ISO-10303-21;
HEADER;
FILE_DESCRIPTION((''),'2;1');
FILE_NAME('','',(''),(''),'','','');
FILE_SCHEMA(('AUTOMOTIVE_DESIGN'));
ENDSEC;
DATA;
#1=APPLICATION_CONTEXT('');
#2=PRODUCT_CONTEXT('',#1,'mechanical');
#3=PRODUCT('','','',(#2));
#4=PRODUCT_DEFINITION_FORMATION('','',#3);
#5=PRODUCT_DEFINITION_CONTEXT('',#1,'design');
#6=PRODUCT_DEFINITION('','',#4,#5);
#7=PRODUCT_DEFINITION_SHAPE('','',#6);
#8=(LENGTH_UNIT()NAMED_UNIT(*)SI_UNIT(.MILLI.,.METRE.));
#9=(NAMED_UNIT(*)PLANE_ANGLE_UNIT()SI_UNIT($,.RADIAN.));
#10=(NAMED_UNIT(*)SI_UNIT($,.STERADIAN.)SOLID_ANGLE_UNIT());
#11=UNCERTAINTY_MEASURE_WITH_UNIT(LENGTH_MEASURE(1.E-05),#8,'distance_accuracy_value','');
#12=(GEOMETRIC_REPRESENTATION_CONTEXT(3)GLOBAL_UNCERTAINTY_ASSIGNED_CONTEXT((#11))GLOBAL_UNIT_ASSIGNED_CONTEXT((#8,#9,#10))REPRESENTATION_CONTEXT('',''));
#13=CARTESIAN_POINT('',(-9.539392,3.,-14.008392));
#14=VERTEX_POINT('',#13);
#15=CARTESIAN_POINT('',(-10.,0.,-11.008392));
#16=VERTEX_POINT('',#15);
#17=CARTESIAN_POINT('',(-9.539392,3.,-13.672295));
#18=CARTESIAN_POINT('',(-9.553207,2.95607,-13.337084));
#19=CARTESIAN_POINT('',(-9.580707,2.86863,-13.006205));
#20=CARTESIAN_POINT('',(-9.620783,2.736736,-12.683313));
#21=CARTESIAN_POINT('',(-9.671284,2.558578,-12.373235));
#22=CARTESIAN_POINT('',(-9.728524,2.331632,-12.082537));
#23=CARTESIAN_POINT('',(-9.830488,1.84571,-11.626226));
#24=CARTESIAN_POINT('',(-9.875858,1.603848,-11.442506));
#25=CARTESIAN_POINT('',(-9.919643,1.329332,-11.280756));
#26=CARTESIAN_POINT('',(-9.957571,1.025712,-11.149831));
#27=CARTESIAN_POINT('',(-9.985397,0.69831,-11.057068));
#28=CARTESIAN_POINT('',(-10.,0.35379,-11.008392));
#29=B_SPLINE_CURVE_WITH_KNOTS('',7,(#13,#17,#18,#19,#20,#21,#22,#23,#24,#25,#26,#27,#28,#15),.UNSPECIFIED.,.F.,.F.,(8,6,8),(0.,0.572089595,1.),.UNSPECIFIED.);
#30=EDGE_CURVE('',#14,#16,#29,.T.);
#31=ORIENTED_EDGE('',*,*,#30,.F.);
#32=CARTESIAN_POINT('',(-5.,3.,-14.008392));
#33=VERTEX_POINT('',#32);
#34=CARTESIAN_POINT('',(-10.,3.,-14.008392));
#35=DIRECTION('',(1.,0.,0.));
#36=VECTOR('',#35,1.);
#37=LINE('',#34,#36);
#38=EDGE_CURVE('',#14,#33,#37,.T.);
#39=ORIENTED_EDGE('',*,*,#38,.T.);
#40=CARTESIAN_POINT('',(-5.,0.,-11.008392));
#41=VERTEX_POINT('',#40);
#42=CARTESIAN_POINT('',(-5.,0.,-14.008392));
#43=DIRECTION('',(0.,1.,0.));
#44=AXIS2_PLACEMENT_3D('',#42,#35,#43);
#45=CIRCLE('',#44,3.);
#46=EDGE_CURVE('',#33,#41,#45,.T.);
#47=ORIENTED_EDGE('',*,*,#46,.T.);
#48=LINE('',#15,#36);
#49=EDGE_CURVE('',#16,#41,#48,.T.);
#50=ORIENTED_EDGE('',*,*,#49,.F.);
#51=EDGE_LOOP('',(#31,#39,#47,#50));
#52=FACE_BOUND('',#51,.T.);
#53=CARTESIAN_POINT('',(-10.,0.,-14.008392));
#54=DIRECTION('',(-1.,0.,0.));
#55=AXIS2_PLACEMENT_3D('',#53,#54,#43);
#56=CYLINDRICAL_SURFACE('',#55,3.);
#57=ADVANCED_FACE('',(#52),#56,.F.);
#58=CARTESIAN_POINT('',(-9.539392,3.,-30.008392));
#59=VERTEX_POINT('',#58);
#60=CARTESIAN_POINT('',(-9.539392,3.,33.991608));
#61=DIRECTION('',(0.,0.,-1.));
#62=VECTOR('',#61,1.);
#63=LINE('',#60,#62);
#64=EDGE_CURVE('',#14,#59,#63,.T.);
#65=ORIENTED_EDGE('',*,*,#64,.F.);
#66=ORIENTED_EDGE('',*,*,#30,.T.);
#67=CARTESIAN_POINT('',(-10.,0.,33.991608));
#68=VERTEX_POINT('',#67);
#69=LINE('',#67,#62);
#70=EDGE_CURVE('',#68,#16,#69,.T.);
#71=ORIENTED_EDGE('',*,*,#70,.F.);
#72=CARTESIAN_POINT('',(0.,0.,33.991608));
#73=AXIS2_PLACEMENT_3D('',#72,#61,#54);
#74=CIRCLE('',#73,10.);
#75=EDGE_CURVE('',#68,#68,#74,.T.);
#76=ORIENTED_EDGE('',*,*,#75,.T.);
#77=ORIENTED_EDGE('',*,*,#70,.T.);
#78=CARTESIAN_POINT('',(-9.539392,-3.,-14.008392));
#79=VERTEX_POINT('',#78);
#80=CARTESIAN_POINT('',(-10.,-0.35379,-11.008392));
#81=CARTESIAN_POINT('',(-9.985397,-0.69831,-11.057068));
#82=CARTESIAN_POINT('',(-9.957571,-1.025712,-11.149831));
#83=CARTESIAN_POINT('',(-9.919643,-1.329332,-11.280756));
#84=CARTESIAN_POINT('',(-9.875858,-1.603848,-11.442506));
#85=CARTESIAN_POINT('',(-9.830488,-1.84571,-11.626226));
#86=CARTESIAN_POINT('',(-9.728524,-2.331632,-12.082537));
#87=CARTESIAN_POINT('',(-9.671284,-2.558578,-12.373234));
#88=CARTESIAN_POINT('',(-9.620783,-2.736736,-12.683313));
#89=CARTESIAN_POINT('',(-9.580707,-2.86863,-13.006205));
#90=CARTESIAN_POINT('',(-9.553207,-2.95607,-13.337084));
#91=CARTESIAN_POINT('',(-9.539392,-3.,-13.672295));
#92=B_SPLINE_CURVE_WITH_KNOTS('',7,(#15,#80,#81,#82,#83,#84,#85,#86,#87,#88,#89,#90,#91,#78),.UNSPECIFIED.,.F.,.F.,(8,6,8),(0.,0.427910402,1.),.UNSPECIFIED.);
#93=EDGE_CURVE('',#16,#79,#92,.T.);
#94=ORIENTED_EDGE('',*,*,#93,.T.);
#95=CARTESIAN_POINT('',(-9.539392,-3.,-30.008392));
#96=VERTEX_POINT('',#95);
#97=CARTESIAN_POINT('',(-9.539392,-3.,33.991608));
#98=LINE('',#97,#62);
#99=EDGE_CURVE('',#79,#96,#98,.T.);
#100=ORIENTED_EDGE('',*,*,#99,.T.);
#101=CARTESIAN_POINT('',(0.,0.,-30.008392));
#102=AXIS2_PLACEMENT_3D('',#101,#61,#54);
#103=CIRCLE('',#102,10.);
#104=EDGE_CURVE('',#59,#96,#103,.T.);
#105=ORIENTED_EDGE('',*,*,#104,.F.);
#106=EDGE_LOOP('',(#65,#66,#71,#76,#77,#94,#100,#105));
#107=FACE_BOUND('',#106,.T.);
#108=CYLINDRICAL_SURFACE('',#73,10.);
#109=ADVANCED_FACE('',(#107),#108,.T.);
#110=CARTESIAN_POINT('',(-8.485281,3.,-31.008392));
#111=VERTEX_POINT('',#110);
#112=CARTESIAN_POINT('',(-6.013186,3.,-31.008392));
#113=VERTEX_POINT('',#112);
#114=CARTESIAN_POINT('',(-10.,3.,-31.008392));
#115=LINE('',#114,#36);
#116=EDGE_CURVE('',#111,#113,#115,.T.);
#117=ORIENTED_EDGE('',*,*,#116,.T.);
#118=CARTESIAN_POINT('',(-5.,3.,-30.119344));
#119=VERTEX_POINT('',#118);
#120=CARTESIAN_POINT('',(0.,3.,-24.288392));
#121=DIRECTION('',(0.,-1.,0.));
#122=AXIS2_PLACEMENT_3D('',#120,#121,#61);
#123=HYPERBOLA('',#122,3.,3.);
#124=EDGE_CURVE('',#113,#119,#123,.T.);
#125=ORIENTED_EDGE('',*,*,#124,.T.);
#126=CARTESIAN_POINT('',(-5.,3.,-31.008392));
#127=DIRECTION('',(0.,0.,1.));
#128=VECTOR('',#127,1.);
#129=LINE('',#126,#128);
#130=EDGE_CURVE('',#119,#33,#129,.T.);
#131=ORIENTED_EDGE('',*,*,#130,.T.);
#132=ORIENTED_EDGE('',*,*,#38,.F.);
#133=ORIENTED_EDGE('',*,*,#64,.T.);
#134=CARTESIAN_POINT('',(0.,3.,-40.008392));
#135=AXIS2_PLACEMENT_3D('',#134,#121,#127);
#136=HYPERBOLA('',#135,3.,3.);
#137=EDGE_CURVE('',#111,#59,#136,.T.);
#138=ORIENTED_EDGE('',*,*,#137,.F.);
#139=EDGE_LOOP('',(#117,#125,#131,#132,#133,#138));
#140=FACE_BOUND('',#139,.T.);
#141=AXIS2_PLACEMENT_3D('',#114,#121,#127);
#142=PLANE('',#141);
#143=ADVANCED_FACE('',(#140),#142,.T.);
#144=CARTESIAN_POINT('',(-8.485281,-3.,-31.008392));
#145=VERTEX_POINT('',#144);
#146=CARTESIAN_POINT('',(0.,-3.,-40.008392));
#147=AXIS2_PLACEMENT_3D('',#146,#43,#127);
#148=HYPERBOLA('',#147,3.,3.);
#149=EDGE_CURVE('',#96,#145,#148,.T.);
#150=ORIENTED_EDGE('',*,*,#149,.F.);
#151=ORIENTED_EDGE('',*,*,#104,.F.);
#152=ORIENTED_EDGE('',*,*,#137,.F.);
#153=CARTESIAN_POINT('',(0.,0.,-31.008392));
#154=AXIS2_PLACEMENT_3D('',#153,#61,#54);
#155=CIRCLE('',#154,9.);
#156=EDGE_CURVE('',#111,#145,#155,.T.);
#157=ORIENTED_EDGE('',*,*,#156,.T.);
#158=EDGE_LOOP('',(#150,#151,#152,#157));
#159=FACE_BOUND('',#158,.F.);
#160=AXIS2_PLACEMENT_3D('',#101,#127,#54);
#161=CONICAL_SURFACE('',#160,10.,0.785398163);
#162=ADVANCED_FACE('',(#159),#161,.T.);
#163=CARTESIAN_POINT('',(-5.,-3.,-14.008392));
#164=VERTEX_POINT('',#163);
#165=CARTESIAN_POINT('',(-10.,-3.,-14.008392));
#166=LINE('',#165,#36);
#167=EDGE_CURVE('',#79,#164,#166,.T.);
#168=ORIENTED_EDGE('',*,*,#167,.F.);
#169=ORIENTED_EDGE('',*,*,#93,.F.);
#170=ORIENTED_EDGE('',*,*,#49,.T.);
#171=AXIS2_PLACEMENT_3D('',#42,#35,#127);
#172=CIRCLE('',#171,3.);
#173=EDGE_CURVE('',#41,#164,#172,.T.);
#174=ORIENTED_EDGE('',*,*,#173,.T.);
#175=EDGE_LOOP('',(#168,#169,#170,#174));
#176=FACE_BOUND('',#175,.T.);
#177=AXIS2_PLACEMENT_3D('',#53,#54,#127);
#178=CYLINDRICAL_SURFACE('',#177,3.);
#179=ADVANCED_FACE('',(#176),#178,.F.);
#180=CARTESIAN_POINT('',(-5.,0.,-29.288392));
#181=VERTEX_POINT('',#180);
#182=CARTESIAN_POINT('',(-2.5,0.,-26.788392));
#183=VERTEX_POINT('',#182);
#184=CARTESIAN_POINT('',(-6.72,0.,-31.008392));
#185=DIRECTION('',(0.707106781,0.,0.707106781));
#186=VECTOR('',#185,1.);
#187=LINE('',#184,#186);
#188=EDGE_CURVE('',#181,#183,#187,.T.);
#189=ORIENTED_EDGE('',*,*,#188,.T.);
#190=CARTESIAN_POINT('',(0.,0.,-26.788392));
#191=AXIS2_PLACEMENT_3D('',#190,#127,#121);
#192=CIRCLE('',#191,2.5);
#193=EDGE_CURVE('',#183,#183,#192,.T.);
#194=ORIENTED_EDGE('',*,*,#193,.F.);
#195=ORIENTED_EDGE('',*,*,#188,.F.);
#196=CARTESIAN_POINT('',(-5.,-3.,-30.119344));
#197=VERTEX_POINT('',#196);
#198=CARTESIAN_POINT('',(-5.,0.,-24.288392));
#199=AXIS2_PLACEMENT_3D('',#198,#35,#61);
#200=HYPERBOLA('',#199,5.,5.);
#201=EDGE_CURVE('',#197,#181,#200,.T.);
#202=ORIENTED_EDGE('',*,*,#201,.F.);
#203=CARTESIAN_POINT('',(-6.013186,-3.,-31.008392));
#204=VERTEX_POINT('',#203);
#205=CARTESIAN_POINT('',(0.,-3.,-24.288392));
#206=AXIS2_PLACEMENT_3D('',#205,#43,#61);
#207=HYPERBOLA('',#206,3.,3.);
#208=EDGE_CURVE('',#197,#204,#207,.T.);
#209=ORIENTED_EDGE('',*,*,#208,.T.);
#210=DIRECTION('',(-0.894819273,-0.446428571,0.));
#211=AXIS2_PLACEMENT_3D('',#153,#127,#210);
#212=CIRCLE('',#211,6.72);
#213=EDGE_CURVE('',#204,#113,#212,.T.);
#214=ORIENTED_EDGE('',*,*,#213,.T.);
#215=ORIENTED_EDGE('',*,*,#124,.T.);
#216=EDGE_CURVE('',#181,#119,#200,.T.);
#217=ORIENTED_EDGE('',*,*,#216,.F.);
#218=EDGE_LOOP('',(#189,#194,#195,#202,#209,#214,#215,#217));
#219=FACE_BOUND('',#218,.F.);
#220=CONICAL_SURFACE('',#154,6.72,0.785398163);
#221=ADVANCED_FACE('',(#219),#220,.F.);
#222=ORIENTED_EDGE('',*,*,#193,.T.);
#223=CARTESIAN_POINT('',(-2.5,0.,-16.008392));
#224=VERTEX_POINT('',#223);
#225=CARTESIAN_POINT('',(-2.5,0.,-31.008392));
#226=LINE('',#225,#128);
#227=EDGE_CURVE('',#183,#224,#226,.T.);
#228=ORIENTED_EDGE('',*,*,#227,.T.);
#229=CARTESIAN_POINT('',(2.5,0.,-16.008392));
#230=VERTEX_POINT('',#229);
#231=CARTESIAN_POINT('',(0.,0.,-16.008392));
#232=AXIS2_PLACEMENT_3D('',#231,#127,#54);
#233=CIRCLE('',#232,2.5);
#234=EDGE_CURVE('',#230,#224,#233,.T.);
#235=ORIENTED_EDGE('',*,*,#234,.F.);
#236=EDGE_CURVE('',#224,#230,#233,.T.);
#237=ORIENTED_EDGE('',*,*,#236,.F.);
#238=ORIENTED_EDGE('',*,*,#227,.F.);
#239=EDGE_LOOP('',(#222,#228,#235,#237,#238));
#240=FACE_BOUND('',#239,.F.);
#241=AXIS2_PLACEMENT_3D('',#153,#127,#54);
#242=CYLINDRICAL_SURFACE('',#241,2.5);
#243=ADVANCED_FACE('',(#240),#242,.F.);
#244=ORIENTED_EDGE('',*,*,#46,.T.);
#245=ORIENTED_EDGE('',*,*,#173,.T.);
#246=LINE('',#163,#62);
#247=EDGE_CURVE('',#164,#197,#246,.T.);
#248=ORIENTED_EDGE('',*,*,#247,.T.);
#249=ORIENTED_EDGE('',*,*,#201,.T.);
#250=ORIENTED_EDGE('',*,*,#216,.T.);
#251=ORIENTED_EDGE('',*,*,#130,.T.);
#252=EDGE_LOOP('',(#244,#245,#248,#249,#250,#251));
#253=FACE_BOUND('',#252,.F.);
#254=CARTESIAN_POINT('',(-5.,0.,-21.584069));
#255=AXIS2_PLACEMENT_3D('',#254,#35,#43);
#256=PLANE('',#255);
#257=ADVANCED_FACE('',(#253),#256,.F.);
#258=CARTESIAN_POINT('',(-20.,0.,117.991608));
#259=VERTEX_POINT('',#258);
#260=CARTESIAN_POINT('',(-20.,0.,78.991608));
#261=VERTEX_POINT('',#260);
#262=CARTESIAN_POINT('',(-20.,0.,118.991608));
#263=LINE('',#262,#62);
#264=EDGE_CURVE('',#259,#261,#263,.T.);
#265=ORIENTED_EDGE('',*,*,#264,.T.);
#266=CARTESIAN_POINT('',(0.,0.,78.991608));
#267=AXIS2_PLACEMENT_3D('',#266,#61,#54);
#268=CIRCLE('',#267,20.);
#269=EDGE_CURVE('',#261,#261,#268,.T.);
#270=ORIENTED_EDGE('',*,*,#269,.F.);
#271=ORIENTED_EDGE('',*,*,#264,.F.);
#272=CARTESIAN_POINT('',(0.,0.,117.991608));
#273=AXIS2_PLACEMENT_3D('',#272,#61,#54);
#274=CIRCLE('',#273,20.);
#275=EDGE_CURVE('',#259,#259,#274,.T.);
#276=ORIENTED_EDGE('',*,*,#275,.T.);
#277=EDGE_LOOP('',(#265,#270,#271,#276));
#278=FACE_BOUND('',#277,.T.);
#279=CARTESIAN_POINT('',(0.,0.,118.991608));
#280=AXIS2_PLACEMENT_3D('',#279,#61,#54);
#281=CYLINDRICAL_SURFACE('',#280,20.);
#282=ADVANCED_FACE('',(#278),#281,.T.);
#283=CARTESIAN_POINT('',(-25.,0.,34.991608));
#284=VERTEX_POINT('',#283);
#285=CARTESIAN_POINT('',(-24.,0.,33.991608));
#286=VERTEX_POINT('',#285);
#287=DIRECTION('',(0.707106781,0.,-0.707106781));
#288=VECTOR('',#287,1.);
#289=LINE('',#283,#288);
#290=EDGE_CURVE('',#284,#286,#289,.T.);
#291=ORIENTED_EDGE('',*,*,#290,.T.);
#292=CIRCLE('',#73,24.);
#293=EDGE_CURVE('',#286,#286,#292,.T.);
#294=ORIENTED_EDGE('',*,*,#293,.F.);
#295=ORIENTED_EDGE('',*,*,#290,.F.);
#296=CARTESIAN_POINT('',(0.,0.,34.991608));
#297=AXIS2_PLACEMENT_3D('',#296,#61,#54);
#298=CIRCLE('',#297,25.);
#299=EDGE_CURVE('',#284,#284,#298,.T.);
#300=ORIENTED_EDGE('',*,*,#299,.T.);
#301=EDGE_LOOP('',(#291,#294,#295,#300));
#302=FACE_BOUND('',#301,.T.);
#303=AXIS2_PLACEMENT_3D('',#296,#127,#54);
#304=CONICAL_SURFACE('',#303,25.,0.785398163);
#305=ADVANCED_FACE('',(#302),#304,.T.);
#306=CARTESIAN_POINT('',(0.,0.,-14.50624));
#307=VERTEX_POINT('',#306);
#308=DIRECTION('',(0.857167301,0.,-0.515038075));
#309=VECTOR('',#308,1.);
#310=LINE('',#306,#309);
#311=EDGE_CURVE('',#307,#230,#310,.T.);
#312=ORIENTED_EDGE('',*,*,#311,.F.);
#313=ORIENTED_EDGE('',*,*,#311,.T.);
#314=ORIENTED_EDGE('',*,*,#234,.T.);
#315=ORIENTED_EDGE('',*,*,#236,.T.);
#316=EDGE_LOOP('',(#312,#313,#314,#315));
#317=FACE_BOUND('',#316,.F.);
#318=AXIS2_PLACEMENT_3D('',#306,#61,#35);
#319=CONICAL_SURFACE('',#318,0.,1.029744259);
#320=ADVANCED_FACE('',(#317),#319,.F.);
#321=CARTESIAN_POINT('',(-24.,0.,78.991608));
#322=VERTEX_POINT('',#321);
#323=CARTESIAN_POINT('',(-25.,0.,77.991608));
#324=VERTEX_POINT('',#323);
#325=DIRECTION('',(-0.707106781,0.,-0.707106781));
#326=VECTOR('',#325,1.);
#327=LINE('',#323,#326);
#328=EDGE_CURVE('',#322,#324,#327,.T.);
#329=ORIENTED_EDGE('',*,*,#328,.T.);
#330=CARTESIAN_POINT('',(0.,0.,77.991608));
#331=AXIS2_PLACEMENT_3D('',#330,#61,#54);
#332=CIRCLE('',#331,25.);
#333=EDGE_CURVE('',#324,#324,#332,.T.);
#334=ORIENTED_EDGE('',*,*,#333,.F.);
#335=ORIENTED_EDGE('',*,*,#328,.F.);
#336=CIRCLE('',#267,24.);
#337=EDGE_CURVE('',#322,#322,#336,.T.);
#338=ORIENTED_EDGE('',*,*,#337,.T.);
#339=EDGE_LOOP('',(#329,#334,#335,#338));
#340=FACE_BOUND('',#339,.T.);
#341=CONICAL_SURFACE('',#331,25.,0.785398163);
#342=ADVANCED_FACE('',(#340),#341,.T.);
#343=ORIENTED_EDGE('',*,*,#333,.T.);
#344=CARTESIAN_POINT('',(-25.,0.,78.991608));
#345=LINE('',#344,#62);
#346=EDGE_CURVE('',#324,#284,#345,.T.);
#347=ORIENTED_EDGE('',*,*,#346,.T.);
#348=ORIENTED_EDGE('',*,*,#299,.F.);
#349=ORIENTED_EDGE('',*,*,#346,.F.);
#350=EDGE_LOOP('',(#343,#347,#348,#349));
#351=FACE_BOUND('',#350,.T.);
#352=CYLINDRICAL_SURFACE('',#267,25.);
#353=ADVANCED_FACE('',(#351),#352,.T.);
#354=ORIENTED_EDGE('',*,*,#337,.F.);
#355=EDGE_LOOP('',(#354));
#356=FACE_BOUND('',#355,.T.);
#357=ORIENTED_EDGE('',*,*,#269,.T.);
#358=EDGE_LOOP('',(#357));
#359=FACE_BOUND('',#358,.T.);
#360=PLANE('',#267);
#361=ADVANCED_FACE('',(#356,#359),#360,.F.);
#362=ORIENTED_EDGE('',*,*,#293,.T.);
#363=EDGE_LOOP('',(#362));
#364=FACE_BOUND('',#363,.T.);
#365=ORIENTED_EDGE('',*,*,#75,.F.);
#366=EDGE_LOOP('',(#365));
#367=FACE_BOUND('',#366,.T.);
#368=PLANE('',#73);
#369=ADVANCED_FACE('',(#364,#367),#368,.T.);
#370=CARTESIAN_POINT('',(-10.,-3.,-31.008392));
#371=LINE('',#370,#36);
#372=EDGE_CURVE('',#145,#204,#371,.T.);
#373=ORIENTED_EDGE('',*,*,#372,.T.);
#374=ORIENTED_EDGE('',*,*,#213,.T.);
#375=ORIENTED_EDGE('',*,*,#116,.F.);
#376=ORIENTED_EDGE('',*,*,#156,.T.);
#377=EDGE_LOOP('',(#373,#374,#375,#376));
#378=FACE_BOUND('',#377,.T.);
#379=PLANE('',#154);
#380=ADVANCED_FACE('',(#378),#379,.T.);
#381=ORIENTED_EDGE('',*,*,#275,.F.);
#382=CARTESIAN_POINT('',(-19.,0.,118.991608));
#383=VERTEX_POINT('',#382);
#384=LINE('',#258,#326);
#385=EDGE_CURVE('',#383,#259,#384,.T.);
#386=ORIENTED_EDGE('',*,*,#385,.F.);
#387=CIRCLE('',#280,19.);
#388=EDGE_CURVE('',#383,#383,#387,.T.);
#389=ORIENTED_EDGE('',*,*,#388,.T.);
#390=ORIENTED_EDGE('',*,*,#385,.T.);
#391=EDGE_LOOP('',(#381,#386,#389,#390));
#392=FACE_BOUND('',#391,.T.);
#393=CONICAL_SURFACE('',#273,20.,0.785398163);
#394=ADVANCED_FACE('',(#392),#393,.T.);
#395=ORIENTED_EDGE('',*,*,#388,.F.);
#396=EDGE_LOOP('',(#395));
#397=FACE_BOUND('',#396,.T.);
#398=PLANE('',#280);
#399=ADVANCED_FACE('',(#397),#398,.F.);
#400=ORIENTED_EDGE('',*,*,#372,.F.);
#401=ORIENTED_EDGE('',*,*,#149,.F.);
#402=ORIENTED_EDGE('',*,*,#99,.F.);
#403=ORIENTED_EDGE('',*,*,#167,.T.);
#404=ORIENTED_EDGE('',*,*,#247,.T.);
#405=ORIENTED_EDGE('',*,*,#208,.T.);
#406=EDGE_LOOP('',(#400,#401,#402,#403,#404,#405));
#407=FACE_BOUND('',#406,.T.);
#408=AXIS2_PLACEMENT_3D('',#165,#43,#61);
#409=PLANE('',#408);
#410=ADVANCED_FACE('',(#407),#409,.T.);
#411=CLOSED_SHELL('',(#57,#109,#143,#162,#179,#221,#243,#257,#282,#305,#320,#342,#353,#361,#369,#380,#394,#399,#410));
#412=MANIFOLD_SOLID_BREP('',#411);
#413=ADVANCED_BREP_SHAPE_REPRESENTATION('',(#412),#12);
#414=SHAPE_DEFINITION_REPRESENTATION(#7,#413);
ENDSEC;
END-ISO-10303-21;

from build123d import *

# Parameters (mm, degrees)
F2_SIZE        = 1
F5_DEPTH       = 5
F8_D           = 5
F8_DEPTH       = 15
F8_CSINK_D     = 13.44
F8_CSINK_ANGLE = 90
F8_TIP         = 1.5021515476


with BuildPart() as f1:
    # F0 (on Front) → F1 (revolve)
    with BuildSketch(Plane.XZ):
        Polygon((-10, -31.0083918493), (0, -31.0083918493), (0, 118.9916081507), (-20, 118.9916081507), (-20, 78.9916081507), (-25, 78.9916081507), (-25, 33.9916081507), (-10, 33.9916081507), align=None)
    revolve(axis=Axis((0, 0, 43.9916081507), (0, 0, -1)))

    # F2
    f2_edges = [f1.edges().sort_by_distance(p)[0] for p in [
        (10, 0, -31.008392),
        (25, 0, 33.991608),
        (25, 0, 78.991608),
        (20, 0, 118.991608),
    ]]
    chamfer(f2_edges, length=F2_SIZE)

    # F4 (on offset) → F5 (cut)
    with BuildSketch(Plane.YZ.offset(-10)):
        with BuildLine():
            Line((-3, -31.0083918493), (3, -31.0083918493))
            Line((3, -31.0083918493), (3, -14.0083918493))
            ThreePointArc((3, -14.0083918493), (2.1213203436, -11.8870715058), (0, -11.0083918493))
            ThreePointArc((0, -11.0083918493), (-2.1213203436, -11.8870715058), (-3, -14.0083918493))
            Line((-3, -14.0083918493), (-3, -31.0083918493))
        make_face()
    extrude(amount=F5_DEPTH, mode=Mode.SUBTRACT)

    # F8
    with Locations(Plane(origin=(0, 0, -31.0083918493), x_dir=(1, 0, 0), z_dir=(0, 0, -1))):
        with Locations((0, 0)):
            CounterSinkHole(F8_D / 2, F8_CSINK_D / 2, depth=F8_DEPTH, counter_sink_angle=F8_CSINK_ANGLE)
            with Locations((0, 0, -(F8_DEPTH + F8_TIP / 2))):  # 118° drill point
                Cone(0, F8_D / 2, F8_TIP, mode=Mode.SUBTRACT)


solid = f1.part
